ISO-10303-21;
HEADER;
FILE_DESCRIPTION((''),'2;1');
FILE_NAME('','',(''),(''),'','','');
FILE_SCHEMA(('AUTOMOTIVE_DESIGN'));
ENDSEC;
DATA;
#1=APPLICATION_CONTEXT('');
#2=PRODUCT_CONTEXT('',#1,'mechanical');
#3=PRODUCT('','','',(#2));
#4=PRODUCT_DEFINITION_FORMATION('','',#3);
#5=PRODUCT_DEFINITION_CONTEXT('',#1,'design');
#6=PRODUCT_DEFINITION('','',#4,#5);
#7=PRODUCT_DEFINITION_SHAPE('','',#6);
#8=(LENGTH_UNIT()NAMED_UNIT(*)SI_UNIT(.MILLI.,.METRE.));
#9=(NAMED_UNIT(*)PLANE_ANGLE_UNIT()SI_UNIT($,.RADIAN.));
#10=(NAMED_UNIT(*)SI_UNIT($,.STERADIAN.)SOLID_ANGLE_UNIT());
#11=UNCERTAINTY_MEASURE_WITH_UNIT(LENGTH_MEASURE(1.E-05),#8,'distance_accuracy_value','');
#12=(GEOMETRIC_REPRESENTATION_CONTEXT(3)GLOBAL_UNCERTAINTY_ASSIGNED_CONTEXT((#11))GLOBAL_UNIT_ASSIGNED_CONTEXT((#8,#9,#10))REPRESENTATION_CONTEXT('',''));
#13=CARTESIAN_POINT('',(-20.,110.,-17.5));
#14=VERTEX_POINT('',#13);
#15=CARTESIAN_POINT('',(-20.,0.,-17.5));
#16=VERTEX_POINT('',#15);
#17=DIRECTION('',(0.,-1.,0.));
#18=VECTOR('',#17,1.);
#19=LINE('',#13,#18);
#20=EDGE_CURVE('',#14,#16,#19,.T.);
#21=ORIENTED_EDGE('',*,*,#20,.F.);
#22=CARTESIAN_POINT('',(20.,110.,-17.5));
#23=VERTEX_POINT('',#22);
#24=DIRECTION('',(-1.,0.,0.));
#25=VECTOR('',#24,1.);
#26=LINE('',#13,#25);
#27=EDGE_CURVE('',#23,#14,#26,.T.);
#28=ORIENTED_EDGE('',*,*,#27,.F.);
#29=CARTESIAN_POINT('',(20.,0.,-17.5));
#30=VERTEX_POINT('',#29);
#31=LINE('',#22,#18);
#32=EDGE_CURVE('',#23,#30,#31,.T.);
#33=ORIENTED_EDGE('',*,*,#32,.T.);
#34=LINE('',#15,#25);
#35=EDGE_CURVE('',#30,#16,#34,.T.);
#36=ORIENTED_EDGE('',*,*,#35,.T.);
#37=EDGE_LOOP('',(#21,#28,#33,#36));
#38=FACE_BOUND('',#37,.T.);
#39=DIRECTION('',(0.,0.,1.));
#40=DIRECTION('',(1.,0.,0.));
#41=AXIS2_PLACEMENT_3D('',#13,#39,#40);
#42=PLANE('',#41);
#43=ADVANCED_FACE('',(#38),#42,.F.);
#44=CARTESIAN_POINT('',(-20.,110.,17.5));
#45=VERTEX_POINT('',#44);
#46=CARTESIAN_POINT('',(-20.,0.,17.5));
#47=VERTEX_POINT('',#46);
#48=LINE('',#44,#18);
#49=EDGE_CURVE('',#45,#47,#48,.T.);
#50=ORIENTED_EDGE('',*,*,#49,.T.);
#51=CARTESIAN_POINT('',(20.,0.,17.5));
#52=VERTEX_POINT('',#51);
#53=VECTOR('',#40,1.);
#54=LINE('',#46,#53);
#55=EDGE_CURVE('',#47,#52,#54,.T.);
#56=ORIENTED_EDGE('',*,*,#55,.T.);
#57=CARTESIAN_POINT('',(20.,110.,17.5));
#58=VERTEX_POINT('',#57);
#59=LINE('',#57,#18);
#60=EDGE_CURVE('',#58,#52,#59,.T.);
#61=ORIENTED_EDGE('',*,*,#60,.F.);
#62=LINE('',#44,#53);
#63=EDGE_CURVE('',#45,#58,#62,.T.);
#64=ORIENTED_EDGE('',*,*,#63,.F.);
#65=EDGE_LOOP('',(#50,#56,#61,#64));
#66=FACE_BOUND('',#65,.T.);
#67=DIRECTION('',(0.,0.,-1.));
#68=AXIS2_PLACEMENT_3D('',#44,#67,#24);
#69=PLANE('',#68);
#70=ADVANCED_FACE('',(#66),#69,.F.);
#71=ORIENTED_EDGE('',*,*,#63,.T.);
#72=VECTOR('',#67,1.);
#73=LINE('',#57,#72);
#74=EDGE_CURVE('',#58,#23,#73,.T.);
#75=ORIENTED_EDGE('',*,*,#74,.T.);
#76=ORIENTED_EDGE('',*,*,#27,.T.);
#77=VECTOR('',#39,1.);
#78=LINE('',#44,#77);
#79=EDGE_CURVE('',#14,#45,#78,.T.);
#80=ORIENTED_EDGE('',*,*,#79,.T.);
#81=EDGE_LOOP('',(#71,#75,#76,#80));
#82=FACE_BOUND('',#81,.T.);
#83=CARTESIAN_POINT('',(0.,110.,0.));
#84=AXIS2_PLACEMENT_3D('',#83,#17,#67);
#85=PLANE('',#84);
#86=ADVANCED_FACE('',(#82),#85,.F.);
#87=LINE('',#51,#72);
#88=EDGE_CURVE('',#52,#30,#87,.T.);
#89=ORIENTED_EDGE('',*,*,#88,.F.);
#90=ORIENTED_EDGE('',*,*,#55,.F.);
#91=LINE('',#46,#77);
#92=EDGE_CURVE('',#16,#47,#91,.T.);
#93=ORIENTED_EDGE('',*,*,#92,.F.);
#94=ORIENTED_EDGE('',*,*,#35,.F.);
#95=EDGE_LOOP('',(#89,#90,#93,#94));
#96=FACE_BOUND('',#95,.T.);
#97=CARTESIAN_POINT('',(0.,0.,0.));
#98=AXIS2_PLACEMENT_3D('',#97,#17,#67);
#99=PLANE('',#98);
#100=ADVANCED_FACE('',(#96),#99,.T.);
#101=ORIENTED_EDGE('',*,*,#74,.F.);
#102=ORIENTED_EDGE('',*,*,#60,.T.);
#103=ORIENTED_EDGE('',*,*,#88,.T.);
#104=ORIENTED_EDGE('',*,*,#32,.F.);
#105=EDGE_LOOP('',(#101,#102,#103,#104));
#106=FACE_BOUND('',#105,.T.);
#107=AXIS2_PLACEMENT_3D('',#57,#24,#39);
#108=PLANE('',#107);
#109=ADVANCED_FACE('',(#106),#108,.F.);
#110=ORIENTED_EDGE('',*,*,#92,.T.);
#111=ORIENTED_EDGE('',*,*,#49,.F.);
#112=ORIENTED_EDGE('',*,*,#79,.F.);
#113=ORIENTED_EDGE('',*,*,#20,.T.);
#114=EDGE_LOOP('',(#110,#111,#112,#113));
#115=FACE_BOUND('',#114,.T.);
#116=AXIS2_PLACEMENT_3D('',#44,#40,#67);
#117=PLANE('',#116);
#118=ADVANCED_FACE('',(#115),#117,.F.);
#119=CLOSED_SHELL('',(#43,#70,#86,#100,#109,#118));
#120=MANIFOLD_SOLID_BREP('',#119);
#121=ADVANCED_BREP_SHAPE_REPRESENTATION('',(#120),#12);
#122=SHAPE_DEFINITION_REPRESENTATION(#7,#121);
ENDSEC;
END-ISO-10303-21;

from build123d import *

# Parameters (mm, degrees)
SKETCH_1_W      = 40
SKETCH_1_H      = 35
EXTRUDE_1_DEPTH = 110


with BuildPart() as part:
    # 草图1 → 凸台-拉伸1 (new body)
    with BuildSketch(Plane(origin=(0, 0, 0), x_dir=(1, 0, 0), z_dir=(0, 1, 0))):
        Rectangle(SKETCH_1_W, SKETCH_1_H)
    extrude(amount=EXTRUDE_1_DEPTH)


solid = part.part
